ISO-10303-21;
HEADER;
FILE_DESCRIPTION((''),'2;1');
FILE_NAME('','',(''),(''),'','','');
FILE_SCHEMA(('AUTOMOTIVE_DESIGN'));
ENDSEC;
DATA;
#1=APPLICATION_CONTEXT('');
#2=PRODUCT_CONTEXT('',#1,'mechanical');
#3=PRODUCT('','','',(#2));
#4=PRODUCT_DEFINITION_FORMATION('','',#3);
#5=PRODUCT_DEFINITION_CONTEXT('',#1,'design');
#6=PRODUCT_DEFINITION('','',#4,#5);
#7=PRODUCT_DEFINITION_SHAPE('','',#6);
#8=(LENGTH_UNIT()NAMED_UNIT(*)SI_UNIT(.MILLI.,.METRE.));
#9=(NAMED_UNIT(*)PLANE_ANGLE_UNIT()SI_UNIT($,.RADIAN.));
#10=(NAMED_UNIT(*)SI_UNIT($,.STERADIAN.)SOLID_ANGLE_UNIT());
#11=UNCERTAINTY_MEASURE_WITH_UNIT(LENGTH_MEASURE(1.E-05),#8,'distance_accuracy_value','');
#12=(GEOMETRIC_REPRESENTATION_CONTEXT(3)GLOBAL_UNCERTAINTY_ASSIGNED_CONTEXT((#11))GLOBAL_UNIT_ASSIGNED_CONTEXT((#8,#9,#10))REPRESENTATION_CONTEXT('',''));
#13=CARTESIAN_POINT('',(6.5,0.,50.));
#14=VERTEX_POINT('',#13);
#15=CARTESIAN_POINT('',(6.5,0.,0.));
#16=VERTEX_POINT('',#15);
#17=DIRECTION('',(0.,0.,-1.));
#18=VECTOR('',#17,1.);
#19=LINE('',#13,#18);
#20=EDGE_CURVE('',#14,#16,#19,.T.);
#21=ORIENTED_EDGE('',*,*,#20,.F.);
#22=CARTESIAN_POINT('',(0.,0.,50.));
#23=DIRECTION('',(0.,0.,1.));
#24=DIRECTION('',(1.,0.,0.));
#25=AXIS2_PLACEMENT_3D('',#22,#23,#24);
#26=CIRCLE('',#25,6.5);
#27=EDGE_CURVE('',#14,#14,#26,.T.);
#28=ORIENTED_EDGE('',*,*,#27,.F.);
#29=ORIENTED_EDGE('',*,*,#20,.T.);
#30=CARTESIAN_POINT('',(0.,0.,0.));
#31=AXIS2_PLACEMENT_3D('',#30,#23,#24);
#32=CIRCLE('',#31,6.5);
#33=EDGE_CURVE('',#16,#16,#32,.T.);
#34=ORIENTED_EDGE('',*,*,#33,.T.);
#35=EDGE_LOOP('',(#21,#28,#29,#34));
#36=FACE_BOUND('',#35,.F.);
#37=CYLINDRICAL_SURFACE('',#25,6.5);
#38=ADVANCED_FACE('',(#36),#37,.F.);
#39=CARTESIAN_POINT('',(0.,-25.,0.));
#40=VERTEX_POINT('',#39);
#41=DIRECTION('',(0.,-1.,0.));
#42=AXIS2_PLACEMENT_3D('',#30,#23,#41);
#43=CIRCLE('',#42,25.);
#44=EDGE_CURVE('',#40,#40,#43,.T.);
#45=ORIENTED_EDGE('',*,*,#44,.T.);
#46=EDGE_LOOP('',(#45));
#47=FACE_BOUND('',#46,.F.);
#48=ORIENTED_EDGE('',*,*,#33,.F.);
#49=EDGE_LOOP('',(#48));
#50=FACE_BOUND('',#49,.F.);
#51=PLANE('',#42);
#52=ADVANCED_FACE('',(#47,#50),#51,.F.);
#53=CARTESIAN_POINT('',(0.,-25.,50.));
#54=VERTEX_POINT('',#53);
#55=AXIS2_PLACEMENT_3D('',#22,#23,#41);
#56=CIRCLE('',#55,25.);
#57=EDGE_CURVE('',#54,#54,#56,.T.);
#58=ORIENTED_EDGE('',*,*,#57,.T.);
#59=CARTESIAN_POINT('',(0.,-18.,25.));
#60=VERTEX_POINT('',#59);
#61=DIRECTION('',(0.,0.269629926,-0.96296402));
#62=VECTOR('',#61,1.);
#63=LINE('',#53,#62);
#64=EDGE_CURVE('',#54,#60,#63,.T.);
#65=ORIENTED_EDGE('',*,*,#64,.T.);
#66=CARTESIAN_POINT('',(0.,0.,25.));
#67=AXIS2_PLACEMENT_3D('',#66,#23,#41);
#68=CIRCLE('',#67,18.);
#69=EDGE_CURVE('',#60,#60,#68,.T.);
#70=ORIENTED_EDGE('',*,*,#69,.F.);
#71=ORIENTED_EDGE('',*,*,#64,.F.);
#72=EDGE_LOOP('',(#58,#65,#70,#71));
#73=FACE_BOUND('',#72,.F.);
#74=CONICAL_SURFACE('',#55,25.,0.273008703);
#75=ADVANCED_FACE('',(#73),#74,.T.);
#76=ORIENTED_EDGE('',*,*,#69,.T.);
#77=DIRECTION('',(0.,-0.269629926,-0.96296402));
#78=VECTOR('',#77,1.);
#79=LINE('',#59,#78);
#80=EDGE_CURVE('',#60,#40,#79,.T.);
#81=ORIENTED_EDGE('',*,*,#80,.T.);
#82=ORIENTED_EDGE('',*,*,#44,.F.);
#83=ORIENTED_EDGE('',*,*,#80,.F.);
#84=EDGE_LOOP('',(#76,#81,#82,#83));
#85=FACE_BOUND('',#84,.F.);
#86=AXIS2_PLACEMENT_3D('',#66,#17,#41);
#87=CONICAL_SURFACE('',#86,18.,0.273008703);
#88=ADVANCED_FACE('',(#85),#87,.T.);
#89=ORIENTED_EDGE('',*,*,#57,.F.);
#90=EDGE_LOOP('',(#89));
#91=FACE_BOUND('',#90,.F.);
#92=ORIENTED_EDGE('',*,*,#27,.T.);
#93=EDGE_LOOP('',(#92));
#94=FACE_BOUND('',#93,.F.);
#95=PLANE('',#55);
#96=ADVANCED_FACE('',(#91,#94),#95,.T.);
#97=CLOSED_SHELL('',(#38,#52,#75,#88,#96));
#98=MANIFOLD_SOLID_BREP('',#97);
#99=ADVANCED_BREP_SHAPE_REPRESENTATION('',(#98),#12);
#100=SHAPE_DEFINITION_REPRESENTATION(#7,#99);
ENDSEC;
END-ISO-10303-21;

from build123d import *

# Parameters (mm, degrees)
F2_R     = 6.5
F3_DEPTH = 50.001


with BuildPart() as f1:
    # F0 (on Right) → F1 (revolve)
    with BuildSketch(Plane.YZ):
        Polygon((0, 0), (0, 50), (-25, 50), (-18, 25), (-25, 0), align=None)
    revolve(axis=Axis((0, 0, 25), (0, 0, 1)))

    # F2 (on face) → F3 (cut, through all)
    with BuildSketch(Plane.XY.offset(50)):
        Circle(F2_R)
    extrude(amount=-F3_DEPTH, mode=Mode.SUBTRACT)


solid = f1.part
